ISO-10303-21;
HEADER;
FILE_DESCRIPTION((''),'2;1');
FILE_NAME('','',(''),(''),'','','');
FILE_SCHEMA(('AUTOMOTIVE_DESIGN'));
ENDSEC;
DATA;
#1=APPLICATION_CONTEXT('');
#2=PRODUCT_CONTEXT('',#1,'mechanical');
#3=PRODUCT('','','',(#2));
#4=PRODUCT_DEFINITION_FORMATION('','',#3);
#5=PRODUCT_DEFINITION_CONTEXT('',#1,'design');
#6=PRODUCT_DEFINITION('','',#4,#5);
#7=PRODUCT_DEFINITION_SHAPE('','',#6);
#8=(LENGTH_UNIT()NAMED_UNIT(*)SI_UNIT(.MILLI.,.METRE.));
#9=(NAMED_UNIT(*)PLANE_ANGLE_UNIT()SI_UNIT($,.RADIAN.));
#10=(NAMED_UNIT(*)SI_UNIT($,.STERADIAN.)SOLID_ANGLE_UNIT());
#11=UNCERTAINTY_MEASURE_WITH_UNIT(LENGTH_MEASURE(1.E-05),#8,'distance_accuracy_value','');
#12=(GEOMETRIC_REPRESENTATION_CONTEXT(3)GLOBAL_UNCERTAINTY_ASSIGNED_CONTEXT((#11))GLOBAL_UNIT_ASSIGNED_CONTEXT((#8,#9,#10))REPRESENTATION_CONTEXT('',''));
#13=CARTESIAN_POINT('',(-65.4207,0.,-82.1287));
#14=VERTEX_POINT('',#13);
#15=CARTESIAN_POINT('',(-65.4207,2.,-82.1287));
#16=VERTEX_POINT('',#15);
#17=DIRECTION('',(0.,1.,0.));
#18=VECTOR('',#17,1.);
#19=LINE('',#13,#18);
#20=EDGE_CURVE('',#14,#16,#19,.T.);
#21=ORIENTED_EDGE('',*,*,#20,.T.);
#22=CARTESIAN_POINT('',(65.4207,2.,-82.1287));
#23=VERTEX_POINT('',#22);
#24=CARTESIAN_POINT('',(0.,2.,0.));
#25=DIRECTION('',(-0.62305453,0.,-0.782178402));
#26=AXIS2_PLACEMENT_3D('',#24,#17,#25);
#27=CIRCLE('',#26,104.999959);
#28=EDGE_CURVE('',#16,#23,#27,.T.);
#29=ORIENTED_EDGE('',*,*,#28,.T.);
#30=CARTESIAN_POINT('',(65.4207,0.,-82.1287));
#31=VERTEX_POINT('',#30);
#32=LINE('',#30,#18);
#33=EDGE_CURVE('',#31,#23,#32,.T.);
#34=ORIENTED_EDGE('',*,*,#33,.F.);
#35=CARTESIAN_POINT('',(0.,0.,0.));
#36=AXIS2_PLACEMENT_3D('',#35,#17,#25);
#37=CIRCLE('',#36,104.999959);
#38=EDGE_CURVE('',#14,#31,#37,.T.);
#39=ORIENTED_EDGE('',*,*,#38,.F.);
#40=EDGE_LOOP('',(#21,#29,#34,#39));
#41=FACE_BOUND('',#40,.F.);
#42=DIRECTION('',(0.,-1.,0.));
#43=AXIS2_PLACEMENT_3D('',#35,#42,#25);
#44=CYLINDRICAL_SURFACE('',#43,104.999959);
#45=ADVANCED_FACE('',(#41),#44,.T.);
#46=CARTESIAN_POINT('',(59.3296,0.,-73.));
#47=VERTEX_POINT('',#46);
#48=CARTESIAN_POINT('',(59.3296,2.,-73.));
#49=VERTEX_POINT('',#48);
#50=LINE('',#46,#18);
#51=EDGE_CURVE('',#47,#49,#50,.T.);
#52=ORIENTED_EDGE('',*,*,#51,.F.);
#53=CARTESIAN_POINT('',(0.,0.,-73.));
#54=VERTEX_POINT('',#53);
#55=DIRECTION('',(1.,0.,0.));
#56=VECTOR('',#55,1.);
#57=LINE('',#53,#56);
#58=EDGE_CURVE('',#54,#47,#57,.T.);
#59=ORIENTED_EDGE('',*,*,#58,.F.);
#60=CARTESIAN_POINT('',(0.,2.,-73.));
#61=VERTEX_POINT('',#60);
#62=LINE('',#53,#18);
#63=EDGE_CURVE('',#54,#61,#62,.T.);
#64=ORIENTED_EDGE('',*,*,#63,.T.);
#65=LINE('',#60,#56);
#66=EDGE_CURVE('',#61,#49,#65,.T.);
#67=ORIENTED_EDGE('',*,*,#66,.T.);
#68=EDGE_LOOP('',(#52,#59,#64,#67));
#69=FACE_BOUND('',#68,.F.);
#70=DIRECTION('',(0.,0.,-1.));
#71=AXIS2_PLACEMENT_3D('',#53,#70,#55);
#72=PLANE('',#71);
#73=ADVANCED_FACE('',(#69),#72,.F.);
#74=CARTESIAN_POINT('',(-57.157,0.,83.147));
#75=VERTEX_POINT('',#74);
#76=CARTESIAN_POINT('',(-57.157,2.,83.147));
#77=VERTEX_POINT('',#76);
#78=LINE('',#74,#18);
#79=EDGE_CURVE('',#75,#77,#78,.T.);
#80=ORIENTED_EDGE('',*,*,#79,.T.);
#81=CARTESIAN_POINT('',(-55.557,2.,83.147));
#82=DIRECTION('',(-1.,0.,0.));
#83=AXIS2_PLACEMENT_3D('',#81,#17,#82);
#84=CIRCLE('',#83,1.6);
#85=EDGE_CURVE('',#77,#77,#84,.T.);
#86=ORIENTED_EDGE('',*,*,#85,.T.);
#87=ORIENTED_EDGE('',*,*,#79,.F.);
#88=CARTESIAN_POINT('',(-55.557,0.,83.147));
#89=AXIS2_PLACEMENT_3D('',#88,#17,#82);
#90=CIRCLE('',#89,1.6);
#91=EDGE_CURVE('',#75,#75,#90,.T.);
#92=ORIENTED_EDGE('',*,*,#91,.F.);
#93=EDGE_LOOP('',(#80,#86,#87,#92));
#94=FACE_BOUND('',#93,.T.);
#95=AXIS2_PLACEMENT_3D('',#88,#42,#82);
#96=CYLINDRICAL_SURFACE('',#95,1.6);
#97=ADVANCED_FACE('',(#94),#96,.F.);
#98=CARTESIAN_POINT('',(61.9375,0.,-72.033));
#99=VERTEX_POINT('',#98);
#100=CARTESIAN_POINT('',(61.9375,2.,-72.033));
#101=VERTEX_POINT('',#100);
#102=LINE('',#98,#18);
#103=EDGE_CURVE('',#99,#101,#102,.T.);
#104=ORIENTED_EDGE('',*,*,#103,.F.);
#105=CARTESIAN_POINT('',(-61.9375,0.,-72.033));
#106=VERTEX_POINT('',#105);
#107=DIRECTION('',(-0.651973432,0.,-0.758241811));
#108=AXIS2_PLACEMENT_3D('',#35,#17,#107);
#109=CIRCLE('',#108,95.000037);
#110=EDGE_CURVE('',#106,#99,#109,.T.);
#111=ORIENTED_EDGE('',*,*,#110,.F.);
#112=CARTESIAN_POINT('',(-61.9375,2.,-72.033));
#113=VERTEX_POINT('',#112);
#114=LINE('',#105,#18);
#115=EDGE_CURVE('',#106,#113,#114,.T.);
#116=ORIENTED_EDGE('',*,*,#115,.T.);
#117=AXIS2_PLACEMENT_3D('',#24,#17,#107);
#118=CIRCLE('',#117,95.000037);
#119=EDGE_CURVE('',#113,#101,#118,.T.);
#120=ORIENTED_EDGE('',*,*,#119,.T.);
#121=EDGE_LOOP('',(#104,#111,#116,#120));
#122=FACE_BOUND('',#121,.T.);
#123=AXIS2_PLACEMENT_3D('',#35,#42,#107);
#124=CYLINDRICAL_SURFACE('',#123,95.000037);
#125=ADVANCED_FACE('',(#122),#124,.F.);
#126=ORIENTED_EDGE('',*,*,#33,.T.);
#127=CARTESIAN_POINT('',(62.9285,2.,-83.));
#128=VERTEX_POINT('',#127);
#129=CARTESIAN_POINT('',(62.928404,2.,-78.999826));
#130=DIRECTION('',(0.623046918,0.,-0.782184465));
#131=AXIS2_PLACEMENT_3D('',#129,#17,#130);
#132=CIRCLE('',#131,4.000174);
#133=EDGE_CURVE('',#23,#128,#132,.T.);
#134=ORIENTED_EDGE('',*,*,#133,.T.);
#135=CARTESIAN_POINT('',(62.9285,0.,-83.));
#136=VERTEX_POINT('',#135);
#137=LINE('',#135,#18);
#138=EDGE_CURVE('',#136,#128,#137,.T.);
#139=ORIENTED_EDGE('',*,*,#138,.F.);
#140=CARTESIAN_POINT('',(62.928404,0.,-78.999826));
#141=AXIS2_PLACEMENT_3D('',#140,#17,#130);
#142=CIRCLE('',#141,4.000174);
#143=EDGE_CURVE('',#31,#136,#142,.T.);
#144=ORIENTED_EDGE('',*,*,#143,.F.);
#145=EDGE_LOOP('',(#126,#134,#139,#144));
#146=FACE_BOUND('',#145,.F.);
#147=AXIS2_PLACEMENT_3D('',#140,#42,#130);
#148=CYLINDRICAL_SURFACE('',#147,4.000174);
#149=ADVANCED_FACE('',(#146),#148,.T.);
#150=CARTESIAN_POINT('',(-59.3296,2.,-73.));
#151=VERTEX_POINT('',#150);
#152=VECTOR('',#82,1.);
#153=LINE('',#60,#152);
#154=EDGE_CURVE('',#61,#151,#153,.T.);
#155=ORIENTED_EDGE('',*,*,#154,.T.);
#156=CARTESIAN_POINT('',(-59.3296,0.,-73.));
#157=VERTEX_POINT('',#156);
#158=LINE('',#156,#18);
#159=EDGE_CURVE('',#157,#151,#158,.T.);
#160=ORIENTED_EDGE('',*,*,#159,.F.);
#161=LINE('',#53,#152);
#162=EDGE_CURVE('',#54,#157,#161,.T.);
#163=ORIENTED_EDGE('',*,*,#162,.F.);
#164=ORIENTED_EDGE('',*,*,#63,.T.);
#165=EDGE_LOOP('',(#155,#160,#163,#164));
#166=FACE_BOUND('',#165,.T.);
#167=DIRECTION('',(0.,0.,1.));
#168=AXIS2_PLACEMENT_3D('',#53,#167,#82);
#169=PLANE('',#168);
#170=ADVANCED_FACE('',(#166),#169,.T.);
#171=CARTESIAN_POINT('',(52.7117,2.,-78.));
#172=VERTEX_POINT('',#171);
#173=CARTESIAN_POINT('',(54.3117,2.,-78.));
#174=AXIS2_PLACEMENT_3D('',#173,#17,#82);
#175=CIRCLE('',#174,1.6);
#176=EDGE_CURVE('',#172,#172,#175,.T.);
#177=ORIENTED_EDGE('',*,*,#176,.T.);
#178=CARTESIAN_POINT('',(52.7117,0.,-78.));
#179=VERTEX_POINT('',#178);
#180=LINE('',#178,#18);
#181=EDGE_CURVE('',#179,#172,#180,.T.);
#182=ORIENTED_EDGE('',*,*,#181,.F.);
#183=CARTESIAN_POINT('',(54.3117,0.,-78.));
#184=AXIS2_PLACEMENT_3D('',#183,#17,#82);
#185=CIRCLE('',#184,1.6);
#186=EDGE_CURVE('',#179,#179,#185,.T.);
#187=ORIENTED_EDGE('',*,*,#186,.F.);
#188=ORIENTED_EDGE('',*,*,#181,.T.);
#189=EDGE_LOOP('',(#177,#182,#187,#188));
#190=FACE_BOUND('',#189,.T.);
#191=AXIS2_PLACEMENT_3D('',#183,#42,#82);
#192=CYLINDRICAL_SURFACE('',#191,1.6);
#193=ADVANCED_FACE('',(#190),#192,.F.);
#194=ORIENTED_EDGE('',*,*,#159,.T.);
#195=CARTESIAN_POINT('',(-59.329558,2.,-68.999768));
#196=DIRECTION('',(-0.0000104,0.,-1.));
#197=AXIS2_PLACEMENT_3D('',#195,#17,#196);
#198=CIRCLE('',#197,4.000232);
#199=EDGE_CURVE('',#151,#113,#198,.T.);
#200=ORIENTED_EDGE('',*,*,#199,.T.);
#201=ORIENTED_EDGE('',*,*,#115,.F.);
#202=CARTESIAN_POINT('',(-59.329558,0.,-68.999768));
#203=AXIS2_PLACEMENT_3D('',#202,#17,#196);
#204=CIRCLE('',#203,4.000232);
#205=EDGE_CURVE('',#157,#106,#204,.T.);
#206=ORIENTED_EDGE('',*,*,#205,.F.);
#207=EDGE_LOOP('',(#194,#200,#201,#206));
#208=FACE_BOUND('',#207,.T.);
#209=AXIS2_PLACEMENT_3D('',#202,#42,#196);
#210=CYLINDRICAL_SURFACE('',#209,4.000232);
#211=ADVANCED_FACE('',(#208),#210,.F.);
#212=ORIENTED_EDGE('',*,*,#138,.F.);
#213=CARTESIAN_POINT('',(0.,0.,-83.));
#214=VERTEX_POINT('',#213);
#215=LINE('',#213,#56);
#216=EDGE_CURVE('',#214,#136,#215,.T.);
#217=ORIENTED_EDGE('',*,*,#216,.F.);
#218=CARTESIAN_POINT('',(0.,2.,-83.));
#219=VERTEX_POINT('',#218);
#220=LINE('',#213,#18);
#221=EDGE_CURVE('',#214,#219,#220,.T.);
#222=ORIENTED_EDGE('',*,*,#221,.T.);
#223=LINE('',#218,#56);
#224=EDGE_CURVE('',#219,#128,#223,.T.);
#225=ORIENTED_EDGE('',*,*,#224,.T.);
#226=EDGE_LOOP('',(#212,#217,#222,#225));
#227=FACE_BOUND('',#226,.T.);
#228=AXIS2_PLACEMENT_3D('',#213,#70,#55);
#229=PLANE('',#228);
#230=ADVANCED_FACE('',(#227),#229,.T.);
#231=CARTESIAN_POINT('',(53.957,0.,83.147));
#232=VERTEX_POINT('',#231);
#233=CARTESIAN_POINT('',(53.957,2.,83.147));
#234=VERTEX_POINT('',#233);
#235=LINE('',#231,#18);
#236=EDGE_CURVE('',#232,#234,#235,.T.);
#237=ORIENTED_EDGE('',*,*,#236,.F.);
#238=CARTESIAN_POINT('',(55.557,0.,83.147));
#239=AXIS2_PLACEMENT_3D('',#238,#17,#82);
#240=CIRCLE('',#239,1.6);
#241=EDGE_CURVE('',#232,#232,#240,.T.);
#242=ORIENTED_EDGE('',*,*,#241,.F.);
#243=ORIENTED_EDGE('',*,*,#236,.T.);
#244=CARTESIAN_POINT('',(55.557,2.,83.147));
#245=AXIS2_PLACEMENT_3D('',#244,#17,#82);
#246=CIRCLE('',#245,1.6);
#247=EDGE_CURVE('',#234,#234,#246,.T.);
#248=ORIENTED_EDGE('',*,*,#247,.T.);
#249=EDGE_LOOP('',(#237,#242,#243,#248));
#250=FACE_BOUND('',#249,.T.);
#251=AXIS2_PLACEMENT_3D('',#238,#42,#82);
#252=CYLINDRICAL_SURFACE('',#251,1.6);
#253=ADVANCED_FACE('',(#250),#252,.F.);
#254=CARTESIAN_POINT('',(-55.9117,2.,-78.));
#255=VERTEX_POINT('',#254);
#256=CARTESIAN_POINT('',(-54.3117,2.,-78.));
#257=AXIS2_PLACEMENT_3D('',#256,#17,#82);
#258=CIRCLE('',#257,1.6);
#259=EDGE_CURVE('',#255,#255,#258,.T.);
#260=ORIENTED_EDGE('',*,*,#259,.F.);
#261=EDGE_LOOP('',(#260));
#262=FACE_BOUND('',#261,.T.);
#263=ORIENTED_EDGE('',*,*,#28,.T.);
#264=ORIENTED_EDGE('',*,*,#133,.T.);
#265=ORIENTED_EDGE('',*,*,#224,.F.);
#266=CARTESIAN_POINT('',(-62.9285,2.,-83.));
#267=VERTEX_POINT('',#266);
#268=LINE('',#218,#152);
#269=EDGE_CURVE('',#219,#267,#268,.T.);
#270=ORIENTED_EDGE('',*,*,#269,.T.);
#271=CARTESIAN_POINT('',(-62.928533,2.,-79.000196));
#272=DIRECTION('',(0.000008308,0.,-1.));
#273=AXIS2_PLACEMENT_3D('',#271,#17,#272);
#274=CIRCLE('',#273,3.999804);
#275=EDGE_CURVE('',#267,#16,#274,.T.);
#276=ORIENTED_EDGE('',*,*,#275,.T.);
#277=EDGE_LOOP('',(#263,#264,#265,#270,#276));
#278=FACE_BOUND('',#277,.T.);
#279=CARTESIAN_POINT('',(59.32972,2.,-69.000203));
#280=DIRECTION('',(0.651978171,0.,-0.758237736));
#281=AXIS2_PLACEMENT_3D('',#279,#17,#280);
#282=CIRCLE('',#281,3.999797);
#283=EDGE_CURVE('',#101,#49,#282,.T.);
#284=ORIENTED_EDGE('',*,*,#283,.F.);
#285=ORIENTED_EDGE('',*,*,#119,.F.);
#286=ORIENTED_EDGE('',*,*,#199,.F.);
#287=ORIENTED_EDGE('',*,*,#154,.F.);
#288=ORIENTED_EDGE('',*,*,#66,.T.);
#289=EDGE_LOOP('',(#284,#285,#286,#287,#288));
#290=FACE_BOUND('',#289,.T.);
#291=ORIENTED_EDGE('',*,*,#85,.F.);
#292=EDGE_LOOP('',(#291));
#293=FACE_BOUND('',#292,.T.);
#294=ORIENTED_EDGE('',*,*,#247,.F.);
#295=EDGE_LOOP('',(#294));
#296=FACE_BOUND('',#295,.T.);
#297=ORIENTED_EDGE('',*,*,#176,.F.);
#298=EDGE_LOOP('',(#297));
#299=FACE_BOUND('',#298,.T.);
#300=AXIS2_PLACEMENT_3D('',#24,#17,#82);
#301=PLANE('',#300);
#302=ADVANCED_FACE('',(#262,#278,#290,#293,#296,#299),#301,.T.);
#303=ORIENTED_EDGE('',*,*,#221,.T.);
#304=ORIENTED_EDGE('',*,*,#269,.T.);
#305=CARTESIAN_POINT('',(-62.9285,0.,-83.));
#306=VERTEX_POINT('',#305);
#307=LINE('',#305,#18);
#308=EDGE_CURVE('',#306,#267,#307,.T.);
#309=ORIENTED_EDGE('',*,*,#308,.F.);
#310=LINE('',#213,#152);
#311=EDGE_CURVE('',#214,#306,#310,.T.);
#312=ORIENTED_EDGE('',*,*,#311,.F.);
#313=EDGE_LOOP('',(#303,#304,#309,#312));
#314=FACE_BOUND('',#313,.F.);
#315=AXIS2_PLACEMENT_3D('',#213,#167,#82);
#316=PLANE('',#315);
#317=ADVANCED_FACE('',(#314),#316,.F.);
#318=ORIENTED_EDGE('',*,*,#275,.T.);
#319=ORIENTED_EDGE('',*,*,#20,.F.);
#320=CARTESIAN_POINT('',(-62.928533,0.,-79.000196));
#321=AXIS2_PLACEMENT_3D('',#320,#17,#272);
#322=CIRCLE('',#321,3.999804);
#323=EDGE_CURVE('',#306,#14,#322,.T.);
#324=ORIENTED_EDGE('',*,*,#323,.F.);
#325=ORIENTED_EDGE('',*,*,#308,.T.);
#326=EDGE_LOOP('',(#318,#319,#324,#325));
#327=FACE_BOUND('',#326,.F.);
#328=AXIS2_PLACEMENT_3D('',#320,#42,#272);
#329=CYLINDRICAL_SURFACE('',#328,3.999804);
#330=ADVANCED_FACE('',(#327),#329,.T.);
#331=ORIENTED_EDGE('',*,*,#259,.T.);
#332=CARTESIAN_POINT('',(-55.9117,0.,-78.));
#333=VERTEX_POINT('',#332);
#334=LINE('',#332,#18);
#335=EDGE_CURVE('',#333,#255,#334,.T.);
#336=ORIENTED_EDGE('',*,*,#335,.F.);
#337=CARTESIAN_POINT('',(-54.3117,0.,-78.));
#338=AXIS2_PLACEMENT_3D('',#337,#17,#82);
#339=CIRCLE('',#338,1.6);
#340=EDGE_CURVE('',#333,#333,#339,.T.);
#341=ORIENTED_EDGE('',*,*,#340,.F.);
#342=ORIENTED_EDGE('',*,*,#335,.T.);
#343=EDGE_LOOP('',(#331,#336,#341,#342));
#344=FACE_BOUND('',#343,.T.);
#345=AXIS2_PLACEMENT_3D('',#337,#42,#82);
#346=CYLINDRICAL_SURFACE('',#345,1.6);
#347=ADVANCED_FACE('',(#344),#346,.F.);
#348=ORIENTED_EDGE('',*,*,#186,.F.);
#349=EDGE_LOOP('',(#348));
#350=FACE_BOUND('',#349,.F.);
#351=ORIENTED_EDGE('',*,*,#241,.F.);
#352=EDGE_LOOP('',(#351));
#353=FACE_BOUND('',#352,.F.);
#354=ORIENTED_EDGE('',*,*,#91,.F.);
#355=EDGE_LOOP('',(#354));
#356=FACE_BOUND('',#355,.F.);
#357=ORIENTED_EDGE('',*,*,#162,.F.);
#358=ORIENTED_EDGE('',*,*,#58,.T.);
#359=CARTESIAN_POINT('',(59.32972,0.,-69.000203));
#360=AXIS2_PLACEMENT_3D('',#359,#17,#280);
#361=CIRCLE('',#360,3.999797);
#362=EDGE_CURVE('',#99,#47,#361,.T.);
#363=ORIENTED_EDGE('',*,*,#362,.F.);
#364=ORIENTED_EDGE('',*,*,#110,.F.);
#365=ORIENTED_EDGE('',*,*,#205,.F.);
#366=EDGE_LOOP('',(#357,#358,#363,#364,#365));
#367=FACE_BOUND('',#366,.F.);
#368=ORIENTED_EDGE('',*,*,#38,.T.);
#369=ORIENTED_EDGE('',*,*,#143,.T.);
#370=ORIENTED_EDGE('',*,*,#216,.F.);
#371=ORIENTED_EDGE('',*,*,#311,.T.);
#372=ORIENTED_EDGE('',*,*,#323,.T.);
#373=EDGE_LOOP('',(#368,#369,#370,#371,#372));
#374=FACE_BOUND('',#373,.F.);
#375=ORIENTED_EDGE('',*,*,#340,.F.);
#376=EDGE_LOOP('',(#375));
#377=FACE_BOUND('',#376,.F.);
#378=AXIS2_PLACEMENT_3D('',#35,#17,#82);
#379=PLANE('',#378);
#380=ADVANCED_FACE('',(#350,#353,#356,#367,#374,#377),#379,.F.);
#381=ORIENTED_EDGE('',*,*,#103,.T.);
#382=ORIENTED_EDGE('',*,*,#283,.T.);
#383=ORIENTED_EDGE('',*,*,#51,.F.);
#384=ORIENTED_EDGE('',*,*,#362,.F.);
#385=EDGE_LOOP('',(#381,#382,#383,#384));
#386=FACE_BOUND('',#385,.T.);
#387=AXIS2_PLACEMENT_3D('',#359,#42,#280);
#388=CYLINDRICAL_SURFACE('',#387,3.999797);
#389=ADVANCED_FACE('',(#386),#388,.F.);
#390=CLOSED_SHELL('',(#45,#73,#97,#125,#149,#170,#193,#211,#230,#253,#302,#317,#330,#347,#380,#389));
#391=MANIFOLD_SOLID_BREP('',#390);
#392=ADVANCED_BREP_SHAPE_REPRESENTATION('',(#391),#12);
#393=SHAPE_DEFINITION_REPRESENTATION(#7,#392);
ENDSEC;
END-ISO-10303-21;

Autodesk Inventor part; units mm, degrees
ref_plane "YZ Plane" through (0, 0, 0) normal (1, 0, 0) x (0, 1, 0)
ref_plane "XZ Plane" through (0, 0, 0) normal (0, 1, 0) x (-1, 0, 0)
ref_plane "XY Plane" through (0, 0, 0) normal (0, 0, 1) x (1, 0, 0)
sketch "Sketch1" plane through (0, 0, 0) normal (0, 1, 0) x (-1, 0, 0)
  line L0 (0, -83) -> (62.9285, -83)
  line L1 (0, -83) -> (-62.9285, -83)
  line L2 (0, -73) -> (59.3296, -73)
  line L3 (0, -73) -> (-59.3296, -73)
  arc A0 (65.4207, -82.1287) -> (-65.4207, -82.1287) centre (0, 0) ccw
  arc A1 (61.9375, -72.033) -> (-61.9375, -72.033) centre (0, 0) ccw
  arc A2 (59.3296, -73) -> (61.9375, -72.033) centre (59.3296, -69) ccw
  arc A3 (62.9285, -83) -> (65.4207, -82.1287) centre (62.9285, -79) ccw
  arc A4 (-65.4207, -82.1287) -> (-62.9285, -83) centre (-62.9285, -79) ccw
  arc A5 (-61.9375, -72.033) -> (-59.3296, -73) centre (-59.3296, -69) ccw
  circle A6 centre (55.557, 83.147) radius 1.6
  circle A7 centre (-55.557, 83.147) radius 1.6
  circle A8 centre (54.3117, -78) radius 1.6
  circle A9 centre (-54.3117, -78) radius 1.6
  point P0 (64.3117, -83)
  point P1 (-64.3117, -83)
  point P2 (60.7947, -73)
  point P3 (-60.7947, -73)
  dimension "d3" = 10
  dimension "d6" = 3.2
  dimension "d9" = 3.2
  dimension "d10" = 3.2
extrude "Extrusion1" add sketch "Sketch1" along normal blind 2
properties part number "Handle Ring"
